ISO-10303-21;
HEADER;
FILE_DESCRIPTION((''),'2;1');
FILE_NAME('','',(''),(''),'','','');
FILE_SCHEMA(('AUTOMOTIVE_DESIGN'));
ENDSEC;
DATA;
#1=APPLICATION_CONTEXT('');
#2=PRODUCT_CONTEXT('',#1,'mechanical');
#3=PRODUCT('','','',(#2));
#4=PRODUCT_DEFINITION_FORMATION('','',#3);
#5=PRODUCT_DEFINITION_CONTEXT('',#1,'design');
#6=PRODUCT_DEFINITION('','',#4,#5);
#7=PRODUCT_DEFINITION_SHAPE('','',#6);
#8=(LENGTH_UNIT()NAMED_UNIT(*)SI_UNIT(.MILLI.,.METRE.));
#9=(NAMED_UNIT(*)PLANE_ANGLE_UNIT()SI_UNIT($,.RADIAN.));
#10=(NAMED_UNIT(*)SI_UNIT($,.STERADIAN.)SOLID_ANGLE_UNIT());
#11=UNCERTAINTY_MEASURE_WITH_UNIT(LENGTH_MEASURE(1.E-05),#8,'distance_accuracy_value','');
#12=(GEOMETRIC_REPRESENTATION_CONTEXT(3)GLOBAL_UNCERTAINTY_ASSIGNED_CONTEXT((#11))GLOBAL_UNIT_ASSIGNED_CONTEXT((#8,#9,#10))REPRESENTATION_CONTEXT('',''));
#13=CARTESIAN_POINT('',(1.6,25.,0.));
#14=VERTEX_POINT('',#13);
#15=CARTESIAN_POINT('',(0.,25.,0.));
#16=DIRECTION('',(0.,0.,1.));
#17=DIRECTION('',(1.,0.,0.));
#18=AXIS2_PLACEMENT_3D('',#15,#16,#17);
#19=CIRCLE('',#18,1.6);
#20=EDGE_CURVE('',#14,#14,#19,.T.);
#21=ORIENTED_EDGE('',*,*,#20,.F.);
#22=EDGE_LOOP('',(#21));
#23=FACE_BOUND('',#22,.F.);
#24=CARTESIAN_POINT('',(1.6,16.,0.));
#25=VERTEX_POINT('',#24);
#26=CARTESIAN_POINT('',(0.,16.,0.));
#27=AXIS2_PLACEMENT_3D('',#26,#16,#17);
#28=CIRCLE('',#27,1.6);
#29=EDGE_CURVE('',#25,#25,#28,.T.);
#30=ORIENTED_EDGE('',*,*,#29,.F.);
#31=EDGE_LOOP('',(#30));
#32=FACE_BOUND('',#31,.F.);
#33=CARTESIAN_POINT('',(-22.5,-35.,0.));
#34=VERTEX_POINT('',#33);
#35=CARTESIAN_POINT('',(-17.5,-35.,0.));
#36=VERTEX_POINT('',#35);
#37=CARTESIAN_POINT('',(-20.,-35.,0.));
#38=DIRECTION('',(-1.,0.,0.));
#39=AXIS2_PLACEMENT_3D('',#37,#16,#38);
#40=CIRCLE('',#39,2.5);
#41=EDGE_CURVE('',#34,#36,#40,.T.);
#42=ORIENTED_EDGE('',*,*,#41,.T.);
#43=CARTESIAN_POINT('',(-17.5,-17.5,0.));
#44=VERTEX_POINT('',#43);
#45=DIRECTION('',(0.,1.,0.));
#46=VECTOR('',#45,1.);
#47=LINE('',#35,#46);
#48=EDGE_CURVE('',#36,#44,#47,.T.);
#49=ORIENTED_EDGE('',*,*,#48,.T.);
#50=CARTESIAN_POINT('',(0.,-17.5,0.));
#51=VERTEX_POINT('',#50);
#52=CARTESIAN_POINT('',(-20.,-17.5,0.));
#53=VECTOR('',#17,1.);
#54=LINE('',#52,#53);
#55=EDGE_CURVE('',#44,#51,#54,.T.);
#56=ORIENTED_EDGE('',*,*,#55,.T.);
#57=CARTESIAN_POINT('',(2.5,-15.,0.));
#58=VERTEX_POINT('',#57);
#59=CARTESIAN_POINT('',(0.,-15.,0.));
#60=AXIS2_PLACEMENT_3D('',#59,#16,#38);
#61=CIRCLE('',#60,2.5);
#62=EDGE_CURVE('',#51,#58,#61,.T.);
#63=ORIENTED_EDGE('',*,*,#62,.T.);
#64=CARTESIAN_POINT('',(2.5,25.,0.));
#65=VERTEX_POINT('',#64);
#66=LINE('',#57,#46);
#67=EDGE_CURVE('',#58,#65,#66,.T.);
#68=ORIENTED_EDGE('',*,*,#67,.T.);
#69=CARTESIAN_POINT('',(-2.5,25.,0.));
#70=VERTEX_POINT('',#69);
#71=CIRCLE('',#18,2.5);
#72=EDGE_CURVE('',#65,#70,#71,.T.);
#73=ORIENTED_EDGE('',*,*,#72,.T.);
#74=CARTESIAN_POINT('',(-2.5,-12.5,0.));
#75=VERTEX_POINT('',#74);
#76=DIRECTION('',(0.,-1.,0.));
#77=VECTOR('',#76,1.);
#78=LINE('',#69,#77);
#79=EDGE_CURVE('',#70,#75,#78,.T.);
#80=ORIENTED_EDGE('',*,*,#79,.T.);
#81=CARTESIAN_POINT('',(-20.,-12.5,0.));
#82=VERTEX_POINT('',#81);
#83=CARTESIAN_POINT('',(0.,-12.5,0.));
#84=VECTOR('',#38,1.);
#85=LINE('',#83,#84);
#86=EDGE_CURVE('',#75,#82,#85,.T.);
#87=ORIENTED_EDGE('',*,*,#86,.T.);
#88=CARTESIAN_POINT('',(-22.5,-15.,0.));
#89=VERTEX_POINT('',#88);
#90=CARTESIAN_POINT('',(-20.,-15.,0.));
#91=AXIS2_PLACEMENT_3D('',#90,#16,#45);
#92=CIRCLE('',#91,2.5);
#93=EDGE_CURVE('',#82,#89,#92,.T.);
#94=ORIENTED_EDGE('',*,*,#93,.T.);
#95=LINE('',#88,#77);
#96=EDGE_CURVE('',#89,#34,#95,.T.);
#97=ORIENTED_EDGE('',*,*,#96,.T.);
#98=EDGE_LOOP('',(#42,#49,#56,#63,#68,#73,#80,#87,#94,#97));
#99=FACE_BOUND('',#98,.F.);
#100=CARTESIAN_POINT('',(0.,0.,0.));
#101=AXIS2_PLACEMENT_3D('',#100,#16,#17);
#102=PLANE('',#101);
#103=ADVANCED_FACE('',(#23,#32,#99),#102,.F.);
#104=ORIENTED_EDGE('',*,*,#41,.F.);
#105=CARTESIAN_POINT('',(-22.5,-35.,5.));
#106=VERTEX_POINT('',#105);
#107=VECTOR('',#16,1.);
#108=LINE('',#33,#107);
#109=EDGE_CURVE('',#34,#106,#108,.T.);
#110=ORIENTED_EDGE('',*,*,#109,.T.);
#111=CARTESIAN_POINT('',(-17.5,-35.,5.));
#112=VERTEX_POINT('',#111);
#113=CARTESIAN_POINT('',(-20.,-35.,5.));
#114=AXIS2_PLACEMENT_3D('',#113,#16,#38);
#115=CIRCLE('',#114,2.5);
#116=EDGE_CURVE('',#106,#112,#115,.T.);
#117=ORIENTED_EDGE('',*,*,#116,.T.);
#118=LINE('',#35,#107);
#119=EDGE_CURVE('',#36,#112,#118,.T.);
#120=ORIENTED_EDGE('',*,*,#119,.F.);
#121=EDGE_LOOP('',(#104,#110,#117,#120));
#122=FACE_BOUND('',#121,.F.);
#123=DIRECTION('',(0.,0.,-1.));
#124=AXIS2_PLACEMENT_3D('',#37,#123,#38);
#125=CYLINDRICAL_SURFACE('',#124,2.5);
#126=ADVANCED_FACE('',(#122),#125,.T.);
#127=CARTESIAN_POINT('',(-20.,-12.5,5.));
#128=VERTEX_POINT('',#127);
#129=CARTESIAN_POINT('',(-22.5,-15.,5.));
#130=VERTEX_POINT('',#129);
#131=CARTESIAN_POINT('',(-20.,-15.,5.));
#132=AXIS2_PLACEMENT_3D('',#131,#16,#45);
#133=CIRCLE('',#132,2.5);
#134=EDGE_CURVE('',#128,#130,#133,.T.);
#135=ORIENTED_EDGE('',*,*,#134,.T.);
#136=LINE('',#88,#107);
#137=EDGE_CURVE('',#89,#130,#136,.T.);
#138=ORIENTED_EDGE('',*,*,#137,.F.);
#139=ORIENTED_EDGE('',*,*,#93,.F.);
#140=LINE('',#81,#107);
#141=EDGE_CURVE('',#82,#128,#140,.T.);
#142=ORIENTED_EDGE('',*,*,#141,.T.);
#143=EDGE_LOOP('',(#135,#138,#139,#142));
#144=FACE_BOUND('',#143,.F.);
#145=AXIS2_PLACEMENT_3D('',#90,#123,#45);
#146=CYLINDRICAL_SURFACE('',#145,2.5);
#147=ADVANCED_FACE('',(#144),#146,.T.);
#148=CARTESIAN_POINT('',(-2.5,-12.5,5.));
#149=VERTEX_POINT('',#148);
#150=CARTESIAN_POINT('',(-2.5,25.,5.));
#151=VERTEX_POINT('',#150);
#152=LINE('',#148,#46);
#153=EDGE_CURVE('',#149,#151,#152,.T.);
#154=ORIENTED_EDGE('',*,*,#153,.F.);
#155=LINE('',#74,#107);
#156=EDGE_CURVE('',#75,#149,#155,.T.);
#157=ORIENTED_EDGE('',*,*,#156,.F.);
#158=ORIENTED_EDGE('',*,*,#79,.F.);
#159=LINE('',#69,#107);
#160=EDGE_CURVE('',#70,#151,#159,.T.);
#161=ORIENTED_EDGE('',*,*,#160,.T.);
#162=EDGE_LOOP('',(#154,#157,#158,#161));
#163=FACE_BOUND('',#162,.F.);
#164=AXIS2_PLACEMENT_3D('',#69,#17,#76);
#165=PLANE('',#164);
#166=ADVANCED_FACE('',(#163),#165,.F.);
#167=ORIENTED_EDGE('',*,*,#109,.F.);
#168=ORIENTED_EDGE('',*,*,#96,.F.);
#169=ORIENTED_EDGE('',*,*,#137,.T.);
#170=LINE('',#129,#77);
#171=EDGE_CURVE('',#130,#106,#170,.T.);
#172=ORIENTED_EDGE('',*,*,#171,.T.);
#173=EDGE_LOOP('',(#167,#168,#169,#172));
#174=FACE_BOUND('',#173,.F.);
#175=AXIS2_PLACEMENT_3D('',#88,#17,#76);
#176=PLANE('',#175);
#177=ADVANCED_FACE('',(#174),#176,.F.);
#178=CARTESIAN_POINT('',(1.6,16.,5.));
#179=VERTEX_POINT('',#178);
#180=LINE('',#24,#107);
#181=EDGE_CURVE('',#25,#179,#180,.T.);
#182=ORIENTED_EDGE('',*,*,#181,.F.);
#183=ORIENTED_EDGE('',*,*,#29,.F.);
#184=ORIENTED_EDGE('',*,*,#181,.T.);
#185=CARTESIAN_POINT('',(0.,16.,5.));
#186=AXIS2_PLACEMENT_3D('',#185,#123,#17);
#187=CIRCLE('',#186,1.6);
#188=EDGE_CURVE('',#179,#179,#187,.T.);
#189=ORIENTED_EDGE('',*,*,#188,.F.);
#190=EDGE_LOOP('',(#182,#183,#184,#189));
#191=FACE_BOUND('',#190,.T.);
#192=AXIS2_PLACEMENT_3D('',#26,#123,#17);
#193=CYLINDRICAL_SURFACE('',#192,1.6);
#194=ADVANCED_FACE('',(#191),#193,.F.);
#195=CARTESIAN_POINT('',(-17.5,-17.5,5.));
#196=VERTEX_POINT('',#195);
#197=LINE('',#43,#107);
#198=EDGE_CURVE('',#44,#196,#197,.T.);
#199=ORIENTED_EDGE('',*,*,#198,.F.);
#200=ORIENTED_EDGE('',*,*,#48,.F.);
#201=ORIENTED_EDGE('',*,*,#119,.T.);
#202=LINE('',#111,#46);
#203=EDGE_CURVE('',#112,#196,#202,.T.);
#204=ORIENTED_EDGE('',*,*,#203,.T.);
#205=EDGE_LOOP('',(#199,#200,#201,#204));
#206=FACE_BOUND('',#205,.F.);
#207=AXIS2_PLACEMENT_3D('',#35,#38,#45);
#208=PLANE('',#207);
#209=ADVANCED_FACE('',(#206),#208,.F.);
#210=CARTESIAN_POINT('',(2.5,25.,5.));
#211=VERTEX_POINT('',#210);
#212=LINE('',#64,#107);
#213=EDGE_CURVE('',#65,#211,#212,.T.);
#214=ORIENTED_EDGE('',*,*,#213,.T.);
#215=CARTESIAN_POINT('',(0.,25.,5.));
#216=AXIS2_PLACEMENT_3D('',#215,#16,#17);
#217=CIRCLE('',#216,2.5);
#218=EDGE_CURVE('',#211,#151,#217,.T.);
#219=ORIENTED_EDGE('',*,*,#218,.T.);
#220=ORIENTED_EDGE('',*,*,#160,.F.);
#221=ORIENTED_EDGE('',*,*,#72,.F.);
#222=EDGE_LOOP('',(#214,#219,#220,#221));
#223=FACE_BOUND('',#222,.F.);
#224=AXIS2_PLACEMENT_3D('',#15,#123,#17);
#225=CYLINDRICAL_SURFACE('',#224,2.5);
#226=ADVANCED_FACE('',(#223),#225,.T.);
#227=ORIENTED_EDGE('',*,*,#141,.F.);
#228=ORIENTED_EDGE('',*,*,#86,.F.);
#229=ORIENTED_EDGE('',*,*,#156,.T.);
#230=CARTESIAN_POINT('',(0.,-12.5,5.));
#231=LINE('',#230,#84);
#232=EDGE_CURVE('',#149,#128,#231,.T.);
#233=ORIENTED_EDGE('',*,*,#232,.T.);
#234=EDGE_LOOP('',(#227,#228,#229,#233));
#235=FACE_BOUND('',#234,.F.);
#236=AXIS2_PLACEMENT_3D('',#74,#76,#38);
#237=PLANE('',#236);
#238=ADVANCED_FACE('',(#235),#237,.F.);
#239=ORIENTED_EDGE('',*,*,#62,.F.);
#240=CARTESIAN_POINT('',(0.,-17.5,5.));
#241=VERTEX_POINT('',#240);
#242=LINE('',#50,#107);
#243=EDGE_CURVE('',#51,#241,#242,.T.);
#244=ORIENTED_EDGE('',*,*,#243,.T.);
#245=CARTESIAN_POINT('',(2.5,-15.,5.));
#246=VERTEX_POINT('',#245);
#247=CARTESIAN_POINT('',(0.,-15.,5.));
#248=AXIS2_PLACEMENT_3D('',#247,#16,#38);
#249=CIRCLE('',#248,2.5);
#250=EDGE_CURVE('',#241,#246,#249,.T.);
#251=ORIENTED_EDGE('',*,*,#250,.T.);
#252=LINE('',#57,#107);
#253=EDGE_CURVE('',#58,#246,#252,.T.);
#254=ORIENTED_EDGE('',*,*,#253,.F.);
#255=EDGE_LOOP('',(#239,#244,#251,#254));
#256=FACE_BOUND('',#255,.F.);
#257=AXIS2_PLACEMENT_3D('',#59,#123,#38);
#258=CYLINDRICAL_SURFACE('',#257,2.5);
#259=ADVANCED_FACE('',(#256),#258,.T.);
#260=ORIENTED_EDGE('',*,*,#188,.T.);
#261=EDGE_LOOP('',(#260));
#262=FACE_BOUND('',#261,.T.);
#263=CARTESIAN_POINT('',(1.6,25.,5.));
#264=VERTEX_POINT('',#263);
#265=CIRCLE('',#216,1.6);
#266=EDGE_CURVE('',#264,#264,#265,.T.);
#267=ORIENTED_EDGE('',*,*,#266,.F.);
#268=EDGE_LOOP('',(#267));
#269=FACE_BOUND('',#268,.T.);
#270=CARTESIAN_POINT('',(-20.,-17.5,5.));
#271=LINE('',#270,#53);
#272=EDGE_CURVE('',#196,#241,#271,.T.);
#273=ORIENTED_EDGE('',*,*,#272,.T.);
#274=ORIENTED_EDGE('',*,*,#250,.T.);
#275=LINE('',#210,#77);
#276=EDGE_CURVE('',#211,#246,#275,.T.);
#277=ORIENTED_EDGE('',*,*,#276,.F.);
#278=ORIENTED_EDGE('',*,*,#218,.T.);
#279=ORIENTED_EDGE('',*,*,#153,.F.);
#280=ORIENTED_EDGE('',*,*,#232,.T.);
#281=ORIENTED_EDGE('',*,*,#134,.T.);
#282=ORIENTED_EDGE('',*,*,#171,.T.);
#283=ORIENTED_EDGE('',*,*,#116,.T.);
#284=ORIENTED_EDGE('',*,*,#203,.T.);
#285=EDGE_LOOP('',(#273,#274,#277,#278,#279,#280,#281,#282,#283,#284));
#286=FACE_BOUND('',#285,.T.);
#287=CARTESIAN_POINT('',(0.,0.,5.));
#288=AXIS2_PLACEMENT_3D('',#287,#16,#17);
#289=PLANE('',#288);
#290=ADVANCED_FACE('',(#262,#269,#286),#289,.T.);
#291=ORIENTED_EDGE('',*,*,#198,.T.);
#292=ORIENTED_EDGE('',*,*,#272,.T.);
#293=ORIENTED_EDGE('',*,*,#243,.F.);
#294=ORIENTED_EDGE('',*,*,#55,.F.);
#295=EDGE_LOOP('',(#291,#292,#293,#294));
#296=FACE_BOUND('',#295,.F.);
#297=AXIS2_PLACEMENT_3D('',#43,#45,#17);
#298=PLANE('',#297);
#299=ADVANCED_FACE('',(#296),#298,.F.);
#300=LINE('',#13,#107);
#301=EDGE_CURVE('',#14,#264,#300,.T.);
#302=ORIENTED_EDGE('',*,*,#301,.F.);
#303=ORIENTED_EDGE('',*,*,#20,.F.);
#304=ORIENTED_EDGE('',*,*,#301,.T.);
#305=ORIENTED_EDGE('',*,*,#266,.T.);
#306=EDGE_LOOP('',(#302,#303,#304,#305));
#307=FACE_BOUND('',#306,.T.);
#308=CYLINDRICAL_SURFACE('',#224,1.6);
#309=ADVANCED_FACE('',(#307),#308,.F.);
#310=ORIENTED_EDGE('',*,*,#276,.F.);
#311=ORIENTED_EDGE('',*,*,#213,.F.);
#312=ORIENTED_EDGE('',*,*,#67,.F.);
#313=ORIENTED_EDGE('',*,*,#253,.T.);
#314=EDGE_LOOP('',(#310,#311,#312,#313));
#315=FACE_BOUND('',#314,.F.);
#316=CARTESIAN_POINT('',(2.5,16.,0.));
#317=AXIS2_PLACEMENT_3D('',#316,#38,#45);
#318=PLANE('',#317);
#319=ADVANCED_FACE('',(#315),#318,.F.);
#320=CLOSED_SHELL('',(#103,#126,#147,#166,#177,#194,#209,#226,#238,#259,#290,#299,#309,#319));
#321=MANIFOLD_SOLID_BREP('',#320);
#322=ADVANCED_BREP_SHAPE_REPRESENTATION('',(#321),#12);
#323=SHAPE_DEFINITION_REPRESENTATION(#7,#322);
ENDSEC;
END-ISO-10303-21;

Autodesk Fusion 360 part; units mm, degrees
sketch "스케치1" plane through (0, 0, 0) normal (0, 0, 1) x (1, 0, 0)
  line L0 (-2.5, 25) -> (-2.5, -15)
  arc A0 (-2.5, -15) -> (2.5, -15) centre (0, -15) ccw
  line L1 (2.5, -15) -> (2.5, 25)
  arc A1 (2.5, 25) -> (-2.5, 25) centre (0, 25) ccw
  line L2 (0, 25) -> (0, -15) construction
  line L3 (0, -12.5) -> (-20, -12.5)
  arc A2 (-20, -12.5) -> (-20, -17.5) centre (-20, -15) ccw
  line L4 (-20, -17.5) -> (0, -17.5)
  arc A3 (0, -17.5) -> (0, -12.5) centre (0, -15) ccw
  line L5 (0, -15) -> (-20, -15) construction
  line L6 (-22.5, -15) -> (-22.5, -35)
  arc A4 (-22.5, -35) -> (-17.5, -35) centre (-20, -35) ccw
  line L7 (-17.5, -35) -> (-17.5, -15)
  arc A5 (-17.5, -15) -> (-22.5, -15) centre (-20, -15) ccw
  line L8 (-20, -15) -> (-20, -35) construction
  circle A6 centre (0, 25) radius 1.6
  line L9 (-10, 16) -> (11, 16)
  circle A7 centre (0, 16) radius 1.6
  dimension "d1" = 5
  dimension "d2" = 5
  dimension "d3" = 5
  dimension "d4" = 3.2
  dimension "d5" = 9
  dimension "d6" = 3.2
  dimension "d9" = 20
extrude "돌출1" add sketch "스케치1" along normal blind 5 contours L0 L1 A1 L9 A7 | L0 L1 L3 A3 L9 A7 | L0 A0 L3 A3 | L0 A0 L3 L4 L7 A5 | A2 L4 L7 A5 | A2 L4 L6 A4 L7
